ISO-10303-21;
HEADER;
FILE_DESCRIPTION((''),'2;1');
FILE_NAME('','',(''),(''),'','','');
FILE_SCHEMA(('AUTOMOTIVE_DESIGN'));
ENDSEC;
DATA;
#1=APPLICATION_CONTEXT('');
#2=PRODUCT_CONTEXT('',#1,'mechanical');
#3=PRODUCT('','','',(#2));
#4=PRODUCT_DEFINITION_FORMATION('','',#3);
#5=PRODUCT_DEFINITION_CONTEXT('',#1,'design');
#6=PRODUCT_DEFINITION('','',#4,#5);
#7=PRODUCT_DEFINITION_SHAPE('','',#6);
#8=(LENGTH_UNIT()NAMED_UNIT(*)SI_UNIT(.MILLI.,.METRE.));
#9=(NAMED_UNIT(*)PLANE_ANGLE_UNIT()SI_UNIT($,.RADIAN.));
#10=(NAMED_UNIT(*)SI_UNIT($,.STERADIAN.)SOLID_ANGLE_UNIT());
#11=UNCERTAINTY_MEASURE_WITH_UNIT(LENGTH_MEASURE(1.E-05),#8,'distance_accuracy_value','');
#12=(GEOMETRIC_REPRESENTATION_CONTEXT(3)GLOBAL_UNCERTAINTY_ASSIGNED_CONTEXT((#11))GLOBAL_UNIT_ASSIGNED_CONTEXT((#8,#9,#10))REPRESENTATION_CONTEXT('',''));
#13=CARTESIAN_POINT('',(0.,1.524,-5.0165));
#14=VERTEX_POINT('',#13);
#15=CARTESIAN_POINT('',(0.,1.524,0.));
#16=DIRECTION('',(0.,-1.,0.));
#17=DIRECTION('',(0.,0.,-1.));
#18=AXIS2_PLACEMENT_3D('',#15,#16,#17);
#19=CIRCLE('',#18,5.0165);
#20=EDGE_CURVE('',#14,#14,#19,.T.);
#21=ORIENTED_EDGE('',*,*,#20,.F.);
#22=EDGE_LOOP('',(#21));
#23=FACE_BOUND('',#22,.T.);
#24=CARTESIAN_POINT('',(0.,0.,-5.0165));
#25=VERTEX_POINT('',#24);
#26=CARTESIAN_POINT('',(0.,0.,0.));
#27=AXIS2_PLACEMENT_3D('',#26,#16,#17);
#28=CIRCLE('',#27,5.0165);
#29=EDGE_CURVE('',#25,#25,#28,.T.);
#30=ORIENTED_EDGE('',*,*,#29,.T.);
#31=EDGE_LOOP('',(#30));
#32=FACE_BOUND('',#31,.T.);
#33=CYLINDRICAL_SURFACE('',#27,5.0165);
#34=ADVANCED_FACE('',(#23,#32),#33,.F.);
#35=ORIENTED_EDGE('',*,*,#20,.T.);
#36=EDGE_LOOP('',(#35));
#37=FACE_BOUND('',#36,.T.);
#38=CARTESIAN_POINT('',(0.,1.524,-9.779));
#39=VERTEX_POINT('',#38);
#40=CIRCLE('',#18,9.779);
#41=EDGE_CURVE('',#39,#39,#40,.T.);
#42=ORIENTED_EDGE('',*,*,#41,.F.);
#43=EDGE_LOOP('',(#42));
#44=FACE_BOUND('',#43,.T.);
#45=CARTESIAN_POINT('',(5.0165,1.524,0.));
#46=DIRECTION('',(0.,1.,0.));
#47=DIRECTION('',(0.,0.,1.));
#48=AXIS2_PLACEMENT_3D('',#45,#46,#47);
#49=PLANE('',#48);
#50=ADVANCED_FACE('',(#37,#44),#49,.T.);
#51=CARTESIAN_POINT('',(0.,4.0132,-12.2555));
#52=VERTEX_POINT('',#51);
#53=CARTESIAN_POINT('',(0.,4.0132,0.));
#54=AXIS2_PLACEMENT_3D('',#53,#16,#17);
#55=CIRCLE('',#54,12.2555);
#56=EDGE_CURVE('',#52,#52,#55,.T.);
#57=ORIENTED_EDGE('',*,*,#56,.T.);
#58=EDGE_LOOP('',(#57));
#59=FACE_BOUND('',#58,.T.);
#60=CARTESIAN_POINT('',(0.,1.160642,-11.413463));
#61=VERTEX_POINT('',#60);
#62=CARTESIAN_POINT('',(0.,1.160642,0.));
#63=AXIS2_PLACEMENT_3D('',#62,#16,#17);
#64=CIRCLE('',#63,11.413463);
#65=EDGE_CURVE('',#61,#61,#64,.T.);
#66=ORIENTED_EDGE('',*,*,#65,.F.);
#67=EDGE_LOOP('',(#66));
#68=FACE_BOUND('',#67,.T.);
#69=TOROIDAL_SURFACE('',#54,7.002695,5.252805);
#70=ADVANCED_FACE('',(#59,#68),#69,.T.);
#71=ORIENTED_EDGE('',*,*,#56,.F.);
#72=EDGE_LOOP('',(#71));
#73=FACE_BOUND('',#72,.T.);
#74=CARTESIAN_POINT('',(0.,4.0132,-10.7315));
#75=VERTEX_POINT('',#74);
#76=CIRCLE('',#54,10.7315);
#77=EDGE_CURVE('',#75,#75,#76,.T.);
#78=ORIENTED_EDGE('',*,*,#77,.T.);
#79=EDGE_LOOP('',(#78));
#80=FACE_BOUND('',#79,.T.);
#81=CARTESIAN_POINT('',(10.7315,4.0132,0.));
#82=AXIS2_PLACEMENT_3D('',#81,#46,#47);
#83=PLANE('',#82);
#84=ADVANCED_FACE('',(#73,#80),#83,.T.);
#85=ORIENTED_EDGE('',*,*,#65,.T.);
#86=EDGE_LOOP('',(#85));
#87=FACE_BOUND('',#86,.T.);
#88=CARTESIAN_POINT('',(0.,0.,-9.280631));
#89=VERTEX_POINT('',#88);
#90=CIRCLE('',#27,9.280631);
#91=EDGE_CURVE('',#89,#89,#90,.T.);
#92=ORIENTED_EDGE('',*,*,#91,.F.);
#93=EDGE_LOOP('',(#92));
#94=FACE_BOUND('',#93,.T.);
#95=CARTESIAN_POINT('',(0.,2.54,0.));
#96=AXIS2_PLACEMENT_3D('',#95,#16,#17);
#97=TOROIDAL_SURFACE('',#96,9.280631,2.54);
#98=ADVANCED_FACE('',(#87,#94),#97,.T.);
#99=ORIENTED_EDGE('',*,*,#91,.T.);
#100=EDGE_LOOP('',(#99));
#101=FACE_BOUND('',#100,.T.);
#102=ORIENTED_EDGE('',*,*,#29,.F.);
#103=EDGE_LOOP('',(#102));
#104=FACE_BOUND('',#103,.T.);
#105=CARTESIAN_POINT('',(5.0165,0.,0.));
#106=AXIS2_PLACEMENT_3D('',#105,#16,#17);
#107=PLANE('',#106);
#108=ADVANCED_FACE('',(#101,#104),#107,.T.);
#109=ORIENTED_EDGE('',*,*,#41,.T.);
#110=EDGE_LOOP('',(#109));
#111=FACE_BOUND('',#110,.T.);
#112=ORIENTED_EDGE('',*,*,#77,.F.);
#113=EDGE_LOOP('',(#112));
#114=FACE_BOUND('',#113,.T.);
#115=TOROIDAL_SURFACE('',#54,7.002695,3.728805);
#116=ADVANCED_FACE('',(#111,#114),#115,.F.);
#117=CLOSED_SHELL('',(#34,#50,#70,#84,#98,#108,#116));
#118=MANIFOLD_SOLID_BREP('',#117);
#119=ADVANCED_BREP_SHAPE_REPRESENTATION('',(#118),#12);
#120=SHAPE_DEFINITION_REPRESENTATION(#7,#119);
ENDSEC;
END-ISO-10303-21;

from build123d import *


with BuildPart() as part:
    # Sketch1 → Revolve1 (revolve)
    with BuildSketch(Plane.XY):
        with BuildLine():
            Line((5.0165, 0), (9.280631004, 0))
            ThreePointArc((9.280631004, 0), (10.494721496, 0.308949961), (11.413463004, 1.160642302))
            ThreePointArc((11.413463004, 1.160642302), (12.040594592, 2.526079315), (12.2555, 4.0132))
            Line((12.2555, 4.0132), (10.7315, 4.0132))
            ThreePointArc((10.7315, 4.0132), (10.485243398, 2.680592322), (9.779, 1.524))
            Line((9.779, 1.524), (5.0165, 1.524))
            Line((5.0165, 1.524), (5.0165, 0))
        make_face()
    revolve(axis=Axis((0, 0, 0), (0, 1, 0)))


solid = part.part
